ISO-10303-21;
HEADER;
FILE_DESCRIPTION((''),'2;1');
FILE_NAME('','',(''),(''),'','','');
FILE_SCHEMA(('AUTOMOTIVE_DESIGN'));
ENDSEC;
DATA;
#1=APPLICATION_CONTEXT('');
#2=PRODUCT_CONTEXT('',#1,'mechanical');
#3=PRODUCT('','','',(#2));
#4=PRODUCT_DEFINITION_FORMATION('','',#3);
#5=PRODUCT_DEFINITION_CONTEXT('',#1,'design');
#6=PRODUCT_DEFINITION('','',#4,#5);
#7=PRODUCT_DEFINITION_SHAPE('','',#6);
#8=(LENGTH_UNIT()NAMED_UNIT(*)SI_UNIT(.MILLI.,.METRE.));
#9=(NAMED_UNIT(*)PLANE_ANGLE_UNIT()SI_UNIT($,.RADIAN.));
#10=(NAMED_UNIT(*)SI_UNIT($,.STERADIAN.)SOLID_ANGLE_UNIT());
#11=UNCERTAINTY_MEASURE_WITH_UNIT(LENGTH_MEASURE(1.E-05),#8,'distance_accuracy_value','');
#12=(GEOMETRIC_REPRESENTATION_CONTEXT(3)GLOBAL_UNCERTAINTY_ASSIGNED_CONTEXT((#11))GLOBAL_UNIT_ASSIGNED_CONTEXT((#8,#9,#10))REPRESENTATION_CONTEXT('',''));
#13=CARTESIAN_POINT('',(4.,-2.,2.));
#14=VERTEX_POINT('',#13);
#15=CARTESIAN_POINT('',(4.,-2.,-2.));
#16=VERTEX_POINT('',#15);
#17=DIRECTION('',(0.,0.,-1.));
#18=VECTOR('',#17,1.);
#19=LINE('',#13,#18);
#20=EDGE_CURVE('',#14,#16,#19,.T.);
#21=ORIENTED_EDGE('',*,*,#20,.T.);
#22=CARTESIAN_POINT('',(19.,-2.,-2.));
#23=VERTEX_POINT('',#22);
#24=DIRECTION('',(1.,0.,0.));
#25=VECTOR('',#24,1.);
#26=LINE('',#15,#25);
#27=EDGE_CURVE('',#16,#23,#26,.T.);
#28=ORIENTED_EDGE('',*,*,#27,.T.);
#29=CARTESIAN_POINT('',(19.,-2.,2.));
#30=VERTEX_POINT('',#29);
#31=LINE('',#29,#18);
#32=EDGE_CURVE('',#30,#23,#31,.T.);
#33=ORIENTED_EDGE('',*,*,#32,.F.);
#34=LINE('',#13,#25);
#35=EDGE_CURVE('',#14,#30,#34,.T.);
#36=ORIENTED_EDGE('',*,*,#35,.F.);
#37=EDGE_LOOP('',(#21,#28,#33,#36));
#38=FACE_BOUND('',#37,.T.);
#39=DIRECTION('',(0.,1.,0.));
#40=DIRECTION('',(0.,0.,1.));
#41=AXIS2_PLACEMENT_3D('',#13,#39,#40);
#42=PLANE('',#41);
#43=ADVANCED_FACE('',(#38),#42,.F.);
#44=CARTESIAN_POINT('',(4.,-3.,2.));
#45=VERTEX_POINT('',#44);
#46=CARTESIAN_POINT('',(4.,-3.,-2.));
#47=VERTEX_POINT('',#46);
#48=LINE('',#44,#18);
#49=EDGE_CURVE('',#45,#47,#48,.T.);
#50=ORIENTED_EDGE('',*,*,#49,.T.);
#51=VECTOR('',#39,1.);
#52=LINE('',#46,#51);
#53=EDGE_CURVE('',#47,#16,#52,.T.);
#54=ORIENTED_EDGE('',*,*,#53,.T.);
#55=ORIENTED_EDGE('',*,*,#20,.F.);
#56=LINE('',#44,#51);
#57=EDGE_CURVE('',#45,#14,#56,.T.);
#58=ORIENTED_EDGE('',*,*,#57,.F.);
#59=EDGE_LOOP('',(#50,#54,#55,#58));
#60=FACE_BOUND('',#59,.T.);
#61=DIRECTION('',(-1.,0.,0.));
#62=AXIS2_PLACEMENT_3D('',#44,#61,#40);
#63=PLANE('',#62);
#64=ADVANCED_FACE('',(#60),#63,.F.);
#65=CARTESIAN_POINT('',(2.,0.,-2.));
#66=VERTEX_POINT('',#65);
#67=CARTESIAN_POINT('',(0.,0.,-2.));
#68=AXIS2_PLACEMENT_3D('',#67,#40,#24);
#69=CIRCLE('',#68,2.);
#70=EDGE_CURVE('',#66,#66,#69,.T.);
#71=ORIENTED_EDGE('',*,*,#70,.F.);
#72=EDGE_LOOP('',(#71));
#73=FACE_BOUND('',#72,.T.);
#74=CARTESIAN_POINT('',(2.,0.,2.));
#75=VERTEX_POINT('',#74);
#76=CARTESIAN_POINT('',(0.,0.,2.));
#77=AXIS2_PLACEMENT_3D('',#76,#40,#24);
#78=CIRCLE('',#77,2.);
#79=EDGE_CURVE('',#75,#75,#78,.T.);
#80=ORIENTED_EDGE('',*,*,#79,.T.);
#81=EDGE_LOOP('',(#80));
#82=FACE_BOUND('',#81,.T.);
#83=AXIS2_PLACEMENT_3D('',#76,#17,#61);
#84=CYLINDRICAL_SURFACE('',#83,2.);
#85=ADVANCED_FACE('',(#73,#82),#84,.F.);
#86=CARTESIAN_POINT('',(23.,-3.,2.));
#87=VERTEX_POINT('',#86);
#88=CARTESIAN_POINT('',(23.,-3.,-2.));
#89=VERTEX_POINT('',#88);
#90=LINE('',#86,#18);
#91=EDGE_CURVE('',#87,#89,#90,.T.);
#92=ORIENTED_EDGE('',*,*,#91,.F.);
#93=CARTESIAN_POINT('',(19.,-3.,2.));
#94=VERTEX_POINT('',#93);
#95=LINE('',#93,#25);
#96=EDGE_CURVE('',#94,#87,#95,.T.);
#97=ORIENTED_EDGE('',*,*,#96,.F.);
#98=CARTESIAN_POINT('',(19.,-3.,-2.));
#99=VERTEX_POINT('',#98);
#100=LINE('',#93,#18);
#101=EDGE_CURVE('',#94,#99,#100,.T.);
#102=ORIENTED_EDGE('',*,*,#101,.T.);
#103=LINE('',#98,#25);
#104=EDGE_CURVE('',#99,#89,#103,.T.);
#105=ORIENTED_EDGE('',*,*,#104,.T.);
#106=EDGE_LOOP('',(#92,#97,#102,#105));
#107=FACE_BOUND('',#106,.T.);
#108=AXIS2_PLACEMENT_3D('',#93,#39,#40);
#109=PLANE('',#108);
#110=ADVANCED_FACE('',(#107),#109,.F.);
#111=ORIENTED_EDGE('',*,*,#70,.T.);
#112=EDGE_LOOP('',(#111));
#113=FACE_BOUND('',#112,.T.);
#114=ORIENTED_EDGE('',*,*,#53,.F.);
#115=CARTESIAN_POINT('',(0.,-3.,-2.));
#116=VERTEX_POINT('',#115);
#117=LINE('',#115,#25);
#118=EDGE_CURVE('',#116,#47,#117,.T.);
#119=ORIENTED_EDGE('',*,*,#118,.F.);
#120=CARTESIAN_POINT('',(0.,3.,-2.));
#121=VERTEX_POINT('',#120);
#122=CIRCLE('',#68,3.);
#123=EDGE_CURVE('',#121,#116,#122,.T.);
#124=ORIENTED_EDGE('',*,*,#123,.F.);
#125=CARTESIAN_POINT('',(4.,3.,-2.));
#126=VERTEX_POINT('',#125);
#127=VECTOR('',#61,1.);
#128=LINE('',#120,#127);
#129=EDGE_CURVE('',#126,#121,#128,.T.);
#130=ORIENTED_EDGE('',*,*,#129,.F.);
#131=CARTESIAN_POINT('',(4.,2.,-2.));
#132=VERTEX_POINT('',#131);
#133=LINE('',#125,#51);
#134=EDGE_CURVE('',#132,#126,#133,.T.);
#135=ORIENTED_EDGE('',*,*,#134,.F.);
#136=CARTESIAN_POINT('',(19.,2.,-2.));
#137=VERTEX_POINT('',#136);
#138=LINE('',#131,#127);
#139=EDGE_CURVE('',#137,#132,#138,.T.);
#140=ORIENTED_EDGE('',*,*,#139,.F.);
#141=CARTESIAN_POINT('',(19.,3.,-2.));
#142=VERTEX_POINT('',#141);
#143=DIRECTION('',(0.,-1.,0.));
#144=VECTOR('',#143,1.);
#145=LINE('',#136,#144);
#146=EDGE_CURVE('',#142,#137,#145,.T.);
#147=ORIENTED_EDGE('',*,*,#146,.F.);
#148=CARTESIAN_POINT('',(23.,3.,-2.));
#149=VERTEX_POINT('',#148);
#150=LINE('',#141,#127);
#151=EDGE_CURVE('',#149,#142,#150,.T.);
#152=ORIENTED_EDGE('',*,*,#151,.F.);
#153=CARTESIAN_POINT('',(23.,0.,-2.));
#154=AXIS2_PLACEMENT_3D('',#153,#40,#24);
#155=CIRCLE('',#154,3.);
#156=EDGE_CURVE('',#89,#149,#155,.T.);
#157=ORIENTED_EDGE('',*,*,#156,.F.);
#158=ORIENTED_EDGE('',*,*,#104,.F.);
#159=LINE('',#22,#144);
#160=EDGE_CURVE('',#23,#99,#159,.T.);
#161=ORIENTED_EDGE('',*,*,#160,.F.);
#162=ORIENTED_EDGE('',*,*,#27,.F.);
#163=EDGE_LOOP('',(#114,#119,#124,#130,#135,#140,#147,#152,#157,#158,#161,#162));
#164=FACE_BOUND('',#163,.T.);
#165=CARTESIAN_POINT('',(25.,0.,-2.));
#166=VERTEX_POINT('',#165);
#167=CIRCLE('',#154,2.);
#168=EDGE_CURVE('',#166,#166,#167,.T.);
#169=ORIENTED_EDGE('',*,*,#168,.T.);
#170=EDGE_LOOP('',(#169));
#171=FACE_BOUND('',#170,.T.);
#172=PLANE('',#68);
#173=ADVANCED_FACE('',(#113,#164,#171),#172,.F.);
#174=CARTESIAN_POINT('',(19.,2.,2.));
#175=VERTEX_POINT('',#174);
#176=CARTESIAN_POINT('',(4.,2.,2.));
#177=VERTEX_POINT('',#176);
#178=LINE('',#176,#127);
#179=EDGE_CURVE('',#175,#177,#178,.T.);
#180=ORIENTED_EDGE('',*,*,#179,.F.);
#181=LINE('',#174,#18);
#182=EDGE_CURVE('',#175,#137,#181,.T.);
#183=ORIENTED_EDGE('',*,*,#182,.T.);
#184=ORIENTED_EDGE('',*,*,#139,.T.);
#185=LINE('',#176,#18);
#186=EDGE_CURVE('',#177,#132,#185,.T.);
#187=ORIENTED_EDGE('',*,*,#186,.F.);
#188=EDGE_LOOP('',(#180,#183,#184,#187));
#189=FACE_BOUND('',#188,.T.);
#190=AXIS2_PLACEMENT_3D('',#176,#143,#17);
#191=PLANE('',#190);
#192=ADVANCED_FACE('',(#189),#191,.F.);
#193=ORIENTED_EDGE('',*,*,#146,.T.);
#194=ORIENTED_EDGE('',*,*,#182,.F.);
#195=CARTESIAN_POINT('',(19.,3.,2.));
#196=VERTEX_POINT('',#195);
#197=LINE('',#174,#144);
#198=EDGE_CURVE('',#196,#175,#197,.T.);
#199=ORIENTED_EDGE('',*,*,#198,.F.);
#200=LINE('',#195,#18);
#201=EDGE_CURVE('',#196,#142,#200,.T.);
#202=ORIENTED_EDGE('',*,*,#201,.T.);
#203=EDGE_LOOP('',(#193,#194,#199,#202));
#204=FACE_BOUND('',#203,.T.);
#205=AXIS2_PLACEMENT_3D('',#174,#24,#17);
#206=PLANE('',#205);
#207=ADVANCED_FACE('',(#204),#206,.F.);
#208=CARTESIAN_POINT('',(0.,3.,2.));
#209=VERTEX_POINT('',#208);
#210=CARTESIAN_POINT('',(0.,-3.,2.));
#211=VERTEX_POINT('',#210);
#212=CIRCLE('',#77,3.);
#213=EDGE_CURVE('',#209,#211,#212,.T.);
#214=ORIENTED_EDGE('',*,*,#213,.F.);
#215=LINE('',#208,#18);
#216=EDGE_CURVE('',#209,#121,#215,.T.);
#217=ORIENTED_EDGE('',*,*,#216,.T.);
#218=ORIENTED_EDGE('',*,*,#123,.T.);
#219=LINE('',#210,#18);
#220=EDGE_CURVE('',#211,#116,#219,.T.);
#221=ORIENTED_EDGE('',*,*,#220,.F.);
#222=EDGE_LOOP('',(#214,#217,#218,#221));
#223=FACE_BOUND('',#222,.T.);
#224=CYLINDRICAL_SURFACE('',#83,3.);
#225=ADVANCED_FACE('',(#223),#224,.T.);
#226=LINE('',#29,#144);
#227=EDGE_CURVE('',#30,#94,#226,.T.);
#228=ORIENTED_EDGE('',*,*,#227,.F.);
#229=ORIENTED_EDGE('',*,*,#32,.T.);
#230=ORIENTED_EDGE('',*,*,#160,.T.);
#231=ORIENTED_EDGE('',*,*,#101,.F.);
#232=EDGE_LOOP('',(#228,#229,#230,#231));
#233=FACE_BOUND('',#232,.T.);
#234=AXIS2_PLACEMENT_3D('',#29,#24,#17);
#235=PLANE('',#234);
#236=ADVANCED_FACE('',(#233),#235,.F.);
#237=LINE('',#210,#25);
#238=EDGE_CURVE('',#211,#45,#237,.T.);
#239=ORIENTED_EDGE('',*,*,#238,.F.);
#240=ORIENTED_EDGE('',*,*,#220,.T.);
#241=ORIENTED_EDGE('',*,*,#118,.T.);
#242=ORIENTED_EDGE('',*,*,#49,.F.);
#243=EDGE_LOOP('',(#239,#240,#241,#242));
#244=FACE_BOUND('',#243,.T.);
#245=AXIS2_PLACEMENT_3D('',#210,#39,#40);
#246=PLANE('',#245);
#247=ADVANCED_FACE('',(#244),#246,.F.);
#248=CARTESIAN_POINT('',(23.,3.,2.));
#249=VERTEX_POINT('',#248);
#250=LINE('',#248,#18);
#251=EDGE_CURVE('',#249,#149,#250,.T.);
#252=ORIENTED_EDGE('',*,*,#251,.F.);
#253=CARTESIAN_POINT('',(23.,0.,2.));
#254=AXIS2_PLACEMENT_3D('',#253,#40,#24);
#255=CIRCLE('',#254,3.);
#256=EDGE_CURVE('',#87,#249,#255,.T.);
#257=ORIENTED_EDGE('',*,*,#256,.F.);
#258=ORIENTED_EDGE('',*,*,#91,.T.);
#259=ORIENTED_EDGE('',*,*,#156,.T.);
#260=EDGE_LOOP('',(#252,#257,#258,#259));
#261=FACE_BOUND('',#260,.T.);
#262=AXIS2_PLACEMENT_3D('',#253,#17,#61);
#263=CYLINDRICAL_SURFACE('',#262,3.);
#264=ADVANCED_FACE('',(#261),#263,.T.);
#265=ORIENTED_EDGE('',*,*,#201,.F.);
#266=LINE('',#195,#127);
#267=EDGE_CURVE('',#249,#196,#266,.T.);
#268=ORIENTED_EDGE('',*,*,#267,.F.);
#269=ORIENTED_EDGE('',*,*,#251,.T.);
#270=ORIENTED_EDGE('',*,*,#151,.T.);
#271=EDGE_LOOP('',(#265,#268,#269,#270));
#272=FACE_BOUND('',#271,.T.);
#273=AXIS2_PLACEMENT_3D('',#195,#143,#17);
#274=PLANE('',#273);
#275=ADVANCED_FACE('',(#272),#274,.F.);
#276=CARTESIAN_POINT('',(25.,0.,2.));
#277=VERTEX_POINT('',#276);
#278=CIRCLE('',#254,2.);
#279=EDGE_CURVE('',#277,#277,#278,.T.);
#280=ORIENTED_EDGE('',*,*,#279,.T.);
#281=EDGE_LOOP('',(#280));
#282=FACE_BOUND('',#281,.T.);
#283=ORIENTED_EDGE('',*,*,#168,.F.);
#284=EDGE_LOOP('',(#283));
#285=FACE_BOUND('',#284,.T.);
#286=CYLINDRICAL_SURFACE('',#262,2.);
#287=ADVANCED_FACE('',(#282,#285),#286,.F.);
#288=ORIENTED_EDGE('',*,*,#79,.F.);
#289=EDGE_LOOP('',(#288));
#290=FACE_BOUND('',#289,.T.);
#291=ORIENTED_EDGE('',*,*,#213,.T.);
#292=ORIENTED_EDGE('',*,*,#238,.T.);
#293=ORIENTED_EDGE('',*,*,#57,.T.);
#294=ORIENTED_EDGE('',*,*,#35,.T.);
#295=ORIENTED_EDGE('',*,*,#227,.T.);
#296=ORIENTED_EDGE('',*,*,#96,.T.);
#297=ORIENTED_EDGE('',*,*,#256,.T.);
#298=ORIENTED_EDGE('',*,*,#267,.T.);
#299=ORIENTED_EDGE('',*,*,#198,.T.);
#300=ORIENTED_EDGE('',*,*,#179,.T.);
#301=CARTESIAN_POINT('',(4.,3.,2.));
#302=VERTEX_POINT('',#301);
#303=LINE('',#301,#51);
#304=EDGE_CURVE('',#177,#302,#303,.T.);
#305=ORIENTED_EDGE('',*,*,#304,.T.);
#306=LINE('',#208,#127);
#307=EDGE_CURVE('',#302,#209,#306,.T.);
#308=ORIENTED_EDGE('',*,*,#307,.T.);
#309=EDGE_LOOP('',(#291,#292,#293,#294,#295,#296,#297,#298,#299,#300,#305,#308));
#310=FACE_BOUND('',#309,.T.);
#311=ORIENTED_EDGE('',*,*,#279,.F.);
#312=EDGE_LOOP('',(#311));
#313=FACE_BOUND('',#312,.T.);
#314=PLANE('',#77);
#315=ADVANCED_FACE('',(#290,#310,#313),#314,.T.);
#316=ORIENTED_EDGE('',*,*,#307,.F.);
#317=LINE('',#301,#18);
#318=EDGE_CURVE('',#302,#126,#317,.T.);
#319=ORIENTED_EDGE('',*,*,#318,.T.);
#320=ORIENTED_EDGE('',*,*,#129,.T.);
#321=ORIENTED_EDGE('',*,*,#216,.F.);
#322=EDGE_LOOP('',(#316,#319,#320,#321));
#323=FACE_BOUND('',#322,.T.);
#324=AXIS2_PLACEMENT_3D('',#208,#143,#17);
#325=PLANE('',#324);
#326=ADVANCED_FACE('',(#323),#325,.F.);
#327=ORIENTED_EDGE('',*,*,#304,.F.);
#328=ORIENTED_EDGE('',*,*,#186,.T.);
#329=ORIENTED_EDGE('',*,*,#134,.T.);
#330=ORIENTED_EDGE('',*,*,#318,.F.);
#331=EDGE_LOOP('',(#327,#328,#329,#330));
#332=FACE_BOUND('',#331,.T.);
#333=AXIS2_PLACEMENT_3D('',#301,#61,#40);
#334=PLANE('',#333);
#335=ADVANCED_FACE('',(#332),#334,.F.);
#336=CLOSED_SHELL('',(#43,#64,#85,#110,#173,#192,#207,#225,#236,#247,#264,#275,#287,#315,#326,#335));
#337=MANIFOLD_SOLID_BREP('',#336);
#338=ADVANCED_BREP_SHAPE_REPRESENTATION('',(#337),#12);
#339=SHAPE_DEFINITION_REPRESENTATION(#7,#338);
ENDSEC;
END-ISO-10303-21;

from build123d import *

# Parameters (mm, degrees)
SKETCH_1_R      = 2
EXTRUDE_1_DEPTH = 2


with BuildPart() as part:
    # 草图1 → 凸台-拉伸1 (new, symmetric)
    with BuildSketch(Plane.XY):
        with BuildLine():
            Line((0, 3), (4, 3))
            Line((4, 3), (4, 2))
            Line((4, 2), (19, 2))
            Line((19, 2), (19, 3))
            Line((19, 3), (23, 3))
            ThreePointArc((23, 3), (26, 0), (23, -3))
            Line((23, -3), (19, -3))
            Line((19, -3), (19, -2))
            Line((19, -2), (4, -2))
            Line((4, -2), (4, -3))
            Line((4, -3), (0, -3))
            ThreePointArc((0, -3), (-3, 0), (0, 3))
        make_face()
        Circle(SKETCH_1_R, mode=Mode.SUBTRACT)
        with Locations((23, 0)):
            Circle(SKETCH_1_R, mode=Mode.SUBTRACT)
    extrude(amount=EXTRUDE_1_DEPTH, both=True)


solid = part.part
